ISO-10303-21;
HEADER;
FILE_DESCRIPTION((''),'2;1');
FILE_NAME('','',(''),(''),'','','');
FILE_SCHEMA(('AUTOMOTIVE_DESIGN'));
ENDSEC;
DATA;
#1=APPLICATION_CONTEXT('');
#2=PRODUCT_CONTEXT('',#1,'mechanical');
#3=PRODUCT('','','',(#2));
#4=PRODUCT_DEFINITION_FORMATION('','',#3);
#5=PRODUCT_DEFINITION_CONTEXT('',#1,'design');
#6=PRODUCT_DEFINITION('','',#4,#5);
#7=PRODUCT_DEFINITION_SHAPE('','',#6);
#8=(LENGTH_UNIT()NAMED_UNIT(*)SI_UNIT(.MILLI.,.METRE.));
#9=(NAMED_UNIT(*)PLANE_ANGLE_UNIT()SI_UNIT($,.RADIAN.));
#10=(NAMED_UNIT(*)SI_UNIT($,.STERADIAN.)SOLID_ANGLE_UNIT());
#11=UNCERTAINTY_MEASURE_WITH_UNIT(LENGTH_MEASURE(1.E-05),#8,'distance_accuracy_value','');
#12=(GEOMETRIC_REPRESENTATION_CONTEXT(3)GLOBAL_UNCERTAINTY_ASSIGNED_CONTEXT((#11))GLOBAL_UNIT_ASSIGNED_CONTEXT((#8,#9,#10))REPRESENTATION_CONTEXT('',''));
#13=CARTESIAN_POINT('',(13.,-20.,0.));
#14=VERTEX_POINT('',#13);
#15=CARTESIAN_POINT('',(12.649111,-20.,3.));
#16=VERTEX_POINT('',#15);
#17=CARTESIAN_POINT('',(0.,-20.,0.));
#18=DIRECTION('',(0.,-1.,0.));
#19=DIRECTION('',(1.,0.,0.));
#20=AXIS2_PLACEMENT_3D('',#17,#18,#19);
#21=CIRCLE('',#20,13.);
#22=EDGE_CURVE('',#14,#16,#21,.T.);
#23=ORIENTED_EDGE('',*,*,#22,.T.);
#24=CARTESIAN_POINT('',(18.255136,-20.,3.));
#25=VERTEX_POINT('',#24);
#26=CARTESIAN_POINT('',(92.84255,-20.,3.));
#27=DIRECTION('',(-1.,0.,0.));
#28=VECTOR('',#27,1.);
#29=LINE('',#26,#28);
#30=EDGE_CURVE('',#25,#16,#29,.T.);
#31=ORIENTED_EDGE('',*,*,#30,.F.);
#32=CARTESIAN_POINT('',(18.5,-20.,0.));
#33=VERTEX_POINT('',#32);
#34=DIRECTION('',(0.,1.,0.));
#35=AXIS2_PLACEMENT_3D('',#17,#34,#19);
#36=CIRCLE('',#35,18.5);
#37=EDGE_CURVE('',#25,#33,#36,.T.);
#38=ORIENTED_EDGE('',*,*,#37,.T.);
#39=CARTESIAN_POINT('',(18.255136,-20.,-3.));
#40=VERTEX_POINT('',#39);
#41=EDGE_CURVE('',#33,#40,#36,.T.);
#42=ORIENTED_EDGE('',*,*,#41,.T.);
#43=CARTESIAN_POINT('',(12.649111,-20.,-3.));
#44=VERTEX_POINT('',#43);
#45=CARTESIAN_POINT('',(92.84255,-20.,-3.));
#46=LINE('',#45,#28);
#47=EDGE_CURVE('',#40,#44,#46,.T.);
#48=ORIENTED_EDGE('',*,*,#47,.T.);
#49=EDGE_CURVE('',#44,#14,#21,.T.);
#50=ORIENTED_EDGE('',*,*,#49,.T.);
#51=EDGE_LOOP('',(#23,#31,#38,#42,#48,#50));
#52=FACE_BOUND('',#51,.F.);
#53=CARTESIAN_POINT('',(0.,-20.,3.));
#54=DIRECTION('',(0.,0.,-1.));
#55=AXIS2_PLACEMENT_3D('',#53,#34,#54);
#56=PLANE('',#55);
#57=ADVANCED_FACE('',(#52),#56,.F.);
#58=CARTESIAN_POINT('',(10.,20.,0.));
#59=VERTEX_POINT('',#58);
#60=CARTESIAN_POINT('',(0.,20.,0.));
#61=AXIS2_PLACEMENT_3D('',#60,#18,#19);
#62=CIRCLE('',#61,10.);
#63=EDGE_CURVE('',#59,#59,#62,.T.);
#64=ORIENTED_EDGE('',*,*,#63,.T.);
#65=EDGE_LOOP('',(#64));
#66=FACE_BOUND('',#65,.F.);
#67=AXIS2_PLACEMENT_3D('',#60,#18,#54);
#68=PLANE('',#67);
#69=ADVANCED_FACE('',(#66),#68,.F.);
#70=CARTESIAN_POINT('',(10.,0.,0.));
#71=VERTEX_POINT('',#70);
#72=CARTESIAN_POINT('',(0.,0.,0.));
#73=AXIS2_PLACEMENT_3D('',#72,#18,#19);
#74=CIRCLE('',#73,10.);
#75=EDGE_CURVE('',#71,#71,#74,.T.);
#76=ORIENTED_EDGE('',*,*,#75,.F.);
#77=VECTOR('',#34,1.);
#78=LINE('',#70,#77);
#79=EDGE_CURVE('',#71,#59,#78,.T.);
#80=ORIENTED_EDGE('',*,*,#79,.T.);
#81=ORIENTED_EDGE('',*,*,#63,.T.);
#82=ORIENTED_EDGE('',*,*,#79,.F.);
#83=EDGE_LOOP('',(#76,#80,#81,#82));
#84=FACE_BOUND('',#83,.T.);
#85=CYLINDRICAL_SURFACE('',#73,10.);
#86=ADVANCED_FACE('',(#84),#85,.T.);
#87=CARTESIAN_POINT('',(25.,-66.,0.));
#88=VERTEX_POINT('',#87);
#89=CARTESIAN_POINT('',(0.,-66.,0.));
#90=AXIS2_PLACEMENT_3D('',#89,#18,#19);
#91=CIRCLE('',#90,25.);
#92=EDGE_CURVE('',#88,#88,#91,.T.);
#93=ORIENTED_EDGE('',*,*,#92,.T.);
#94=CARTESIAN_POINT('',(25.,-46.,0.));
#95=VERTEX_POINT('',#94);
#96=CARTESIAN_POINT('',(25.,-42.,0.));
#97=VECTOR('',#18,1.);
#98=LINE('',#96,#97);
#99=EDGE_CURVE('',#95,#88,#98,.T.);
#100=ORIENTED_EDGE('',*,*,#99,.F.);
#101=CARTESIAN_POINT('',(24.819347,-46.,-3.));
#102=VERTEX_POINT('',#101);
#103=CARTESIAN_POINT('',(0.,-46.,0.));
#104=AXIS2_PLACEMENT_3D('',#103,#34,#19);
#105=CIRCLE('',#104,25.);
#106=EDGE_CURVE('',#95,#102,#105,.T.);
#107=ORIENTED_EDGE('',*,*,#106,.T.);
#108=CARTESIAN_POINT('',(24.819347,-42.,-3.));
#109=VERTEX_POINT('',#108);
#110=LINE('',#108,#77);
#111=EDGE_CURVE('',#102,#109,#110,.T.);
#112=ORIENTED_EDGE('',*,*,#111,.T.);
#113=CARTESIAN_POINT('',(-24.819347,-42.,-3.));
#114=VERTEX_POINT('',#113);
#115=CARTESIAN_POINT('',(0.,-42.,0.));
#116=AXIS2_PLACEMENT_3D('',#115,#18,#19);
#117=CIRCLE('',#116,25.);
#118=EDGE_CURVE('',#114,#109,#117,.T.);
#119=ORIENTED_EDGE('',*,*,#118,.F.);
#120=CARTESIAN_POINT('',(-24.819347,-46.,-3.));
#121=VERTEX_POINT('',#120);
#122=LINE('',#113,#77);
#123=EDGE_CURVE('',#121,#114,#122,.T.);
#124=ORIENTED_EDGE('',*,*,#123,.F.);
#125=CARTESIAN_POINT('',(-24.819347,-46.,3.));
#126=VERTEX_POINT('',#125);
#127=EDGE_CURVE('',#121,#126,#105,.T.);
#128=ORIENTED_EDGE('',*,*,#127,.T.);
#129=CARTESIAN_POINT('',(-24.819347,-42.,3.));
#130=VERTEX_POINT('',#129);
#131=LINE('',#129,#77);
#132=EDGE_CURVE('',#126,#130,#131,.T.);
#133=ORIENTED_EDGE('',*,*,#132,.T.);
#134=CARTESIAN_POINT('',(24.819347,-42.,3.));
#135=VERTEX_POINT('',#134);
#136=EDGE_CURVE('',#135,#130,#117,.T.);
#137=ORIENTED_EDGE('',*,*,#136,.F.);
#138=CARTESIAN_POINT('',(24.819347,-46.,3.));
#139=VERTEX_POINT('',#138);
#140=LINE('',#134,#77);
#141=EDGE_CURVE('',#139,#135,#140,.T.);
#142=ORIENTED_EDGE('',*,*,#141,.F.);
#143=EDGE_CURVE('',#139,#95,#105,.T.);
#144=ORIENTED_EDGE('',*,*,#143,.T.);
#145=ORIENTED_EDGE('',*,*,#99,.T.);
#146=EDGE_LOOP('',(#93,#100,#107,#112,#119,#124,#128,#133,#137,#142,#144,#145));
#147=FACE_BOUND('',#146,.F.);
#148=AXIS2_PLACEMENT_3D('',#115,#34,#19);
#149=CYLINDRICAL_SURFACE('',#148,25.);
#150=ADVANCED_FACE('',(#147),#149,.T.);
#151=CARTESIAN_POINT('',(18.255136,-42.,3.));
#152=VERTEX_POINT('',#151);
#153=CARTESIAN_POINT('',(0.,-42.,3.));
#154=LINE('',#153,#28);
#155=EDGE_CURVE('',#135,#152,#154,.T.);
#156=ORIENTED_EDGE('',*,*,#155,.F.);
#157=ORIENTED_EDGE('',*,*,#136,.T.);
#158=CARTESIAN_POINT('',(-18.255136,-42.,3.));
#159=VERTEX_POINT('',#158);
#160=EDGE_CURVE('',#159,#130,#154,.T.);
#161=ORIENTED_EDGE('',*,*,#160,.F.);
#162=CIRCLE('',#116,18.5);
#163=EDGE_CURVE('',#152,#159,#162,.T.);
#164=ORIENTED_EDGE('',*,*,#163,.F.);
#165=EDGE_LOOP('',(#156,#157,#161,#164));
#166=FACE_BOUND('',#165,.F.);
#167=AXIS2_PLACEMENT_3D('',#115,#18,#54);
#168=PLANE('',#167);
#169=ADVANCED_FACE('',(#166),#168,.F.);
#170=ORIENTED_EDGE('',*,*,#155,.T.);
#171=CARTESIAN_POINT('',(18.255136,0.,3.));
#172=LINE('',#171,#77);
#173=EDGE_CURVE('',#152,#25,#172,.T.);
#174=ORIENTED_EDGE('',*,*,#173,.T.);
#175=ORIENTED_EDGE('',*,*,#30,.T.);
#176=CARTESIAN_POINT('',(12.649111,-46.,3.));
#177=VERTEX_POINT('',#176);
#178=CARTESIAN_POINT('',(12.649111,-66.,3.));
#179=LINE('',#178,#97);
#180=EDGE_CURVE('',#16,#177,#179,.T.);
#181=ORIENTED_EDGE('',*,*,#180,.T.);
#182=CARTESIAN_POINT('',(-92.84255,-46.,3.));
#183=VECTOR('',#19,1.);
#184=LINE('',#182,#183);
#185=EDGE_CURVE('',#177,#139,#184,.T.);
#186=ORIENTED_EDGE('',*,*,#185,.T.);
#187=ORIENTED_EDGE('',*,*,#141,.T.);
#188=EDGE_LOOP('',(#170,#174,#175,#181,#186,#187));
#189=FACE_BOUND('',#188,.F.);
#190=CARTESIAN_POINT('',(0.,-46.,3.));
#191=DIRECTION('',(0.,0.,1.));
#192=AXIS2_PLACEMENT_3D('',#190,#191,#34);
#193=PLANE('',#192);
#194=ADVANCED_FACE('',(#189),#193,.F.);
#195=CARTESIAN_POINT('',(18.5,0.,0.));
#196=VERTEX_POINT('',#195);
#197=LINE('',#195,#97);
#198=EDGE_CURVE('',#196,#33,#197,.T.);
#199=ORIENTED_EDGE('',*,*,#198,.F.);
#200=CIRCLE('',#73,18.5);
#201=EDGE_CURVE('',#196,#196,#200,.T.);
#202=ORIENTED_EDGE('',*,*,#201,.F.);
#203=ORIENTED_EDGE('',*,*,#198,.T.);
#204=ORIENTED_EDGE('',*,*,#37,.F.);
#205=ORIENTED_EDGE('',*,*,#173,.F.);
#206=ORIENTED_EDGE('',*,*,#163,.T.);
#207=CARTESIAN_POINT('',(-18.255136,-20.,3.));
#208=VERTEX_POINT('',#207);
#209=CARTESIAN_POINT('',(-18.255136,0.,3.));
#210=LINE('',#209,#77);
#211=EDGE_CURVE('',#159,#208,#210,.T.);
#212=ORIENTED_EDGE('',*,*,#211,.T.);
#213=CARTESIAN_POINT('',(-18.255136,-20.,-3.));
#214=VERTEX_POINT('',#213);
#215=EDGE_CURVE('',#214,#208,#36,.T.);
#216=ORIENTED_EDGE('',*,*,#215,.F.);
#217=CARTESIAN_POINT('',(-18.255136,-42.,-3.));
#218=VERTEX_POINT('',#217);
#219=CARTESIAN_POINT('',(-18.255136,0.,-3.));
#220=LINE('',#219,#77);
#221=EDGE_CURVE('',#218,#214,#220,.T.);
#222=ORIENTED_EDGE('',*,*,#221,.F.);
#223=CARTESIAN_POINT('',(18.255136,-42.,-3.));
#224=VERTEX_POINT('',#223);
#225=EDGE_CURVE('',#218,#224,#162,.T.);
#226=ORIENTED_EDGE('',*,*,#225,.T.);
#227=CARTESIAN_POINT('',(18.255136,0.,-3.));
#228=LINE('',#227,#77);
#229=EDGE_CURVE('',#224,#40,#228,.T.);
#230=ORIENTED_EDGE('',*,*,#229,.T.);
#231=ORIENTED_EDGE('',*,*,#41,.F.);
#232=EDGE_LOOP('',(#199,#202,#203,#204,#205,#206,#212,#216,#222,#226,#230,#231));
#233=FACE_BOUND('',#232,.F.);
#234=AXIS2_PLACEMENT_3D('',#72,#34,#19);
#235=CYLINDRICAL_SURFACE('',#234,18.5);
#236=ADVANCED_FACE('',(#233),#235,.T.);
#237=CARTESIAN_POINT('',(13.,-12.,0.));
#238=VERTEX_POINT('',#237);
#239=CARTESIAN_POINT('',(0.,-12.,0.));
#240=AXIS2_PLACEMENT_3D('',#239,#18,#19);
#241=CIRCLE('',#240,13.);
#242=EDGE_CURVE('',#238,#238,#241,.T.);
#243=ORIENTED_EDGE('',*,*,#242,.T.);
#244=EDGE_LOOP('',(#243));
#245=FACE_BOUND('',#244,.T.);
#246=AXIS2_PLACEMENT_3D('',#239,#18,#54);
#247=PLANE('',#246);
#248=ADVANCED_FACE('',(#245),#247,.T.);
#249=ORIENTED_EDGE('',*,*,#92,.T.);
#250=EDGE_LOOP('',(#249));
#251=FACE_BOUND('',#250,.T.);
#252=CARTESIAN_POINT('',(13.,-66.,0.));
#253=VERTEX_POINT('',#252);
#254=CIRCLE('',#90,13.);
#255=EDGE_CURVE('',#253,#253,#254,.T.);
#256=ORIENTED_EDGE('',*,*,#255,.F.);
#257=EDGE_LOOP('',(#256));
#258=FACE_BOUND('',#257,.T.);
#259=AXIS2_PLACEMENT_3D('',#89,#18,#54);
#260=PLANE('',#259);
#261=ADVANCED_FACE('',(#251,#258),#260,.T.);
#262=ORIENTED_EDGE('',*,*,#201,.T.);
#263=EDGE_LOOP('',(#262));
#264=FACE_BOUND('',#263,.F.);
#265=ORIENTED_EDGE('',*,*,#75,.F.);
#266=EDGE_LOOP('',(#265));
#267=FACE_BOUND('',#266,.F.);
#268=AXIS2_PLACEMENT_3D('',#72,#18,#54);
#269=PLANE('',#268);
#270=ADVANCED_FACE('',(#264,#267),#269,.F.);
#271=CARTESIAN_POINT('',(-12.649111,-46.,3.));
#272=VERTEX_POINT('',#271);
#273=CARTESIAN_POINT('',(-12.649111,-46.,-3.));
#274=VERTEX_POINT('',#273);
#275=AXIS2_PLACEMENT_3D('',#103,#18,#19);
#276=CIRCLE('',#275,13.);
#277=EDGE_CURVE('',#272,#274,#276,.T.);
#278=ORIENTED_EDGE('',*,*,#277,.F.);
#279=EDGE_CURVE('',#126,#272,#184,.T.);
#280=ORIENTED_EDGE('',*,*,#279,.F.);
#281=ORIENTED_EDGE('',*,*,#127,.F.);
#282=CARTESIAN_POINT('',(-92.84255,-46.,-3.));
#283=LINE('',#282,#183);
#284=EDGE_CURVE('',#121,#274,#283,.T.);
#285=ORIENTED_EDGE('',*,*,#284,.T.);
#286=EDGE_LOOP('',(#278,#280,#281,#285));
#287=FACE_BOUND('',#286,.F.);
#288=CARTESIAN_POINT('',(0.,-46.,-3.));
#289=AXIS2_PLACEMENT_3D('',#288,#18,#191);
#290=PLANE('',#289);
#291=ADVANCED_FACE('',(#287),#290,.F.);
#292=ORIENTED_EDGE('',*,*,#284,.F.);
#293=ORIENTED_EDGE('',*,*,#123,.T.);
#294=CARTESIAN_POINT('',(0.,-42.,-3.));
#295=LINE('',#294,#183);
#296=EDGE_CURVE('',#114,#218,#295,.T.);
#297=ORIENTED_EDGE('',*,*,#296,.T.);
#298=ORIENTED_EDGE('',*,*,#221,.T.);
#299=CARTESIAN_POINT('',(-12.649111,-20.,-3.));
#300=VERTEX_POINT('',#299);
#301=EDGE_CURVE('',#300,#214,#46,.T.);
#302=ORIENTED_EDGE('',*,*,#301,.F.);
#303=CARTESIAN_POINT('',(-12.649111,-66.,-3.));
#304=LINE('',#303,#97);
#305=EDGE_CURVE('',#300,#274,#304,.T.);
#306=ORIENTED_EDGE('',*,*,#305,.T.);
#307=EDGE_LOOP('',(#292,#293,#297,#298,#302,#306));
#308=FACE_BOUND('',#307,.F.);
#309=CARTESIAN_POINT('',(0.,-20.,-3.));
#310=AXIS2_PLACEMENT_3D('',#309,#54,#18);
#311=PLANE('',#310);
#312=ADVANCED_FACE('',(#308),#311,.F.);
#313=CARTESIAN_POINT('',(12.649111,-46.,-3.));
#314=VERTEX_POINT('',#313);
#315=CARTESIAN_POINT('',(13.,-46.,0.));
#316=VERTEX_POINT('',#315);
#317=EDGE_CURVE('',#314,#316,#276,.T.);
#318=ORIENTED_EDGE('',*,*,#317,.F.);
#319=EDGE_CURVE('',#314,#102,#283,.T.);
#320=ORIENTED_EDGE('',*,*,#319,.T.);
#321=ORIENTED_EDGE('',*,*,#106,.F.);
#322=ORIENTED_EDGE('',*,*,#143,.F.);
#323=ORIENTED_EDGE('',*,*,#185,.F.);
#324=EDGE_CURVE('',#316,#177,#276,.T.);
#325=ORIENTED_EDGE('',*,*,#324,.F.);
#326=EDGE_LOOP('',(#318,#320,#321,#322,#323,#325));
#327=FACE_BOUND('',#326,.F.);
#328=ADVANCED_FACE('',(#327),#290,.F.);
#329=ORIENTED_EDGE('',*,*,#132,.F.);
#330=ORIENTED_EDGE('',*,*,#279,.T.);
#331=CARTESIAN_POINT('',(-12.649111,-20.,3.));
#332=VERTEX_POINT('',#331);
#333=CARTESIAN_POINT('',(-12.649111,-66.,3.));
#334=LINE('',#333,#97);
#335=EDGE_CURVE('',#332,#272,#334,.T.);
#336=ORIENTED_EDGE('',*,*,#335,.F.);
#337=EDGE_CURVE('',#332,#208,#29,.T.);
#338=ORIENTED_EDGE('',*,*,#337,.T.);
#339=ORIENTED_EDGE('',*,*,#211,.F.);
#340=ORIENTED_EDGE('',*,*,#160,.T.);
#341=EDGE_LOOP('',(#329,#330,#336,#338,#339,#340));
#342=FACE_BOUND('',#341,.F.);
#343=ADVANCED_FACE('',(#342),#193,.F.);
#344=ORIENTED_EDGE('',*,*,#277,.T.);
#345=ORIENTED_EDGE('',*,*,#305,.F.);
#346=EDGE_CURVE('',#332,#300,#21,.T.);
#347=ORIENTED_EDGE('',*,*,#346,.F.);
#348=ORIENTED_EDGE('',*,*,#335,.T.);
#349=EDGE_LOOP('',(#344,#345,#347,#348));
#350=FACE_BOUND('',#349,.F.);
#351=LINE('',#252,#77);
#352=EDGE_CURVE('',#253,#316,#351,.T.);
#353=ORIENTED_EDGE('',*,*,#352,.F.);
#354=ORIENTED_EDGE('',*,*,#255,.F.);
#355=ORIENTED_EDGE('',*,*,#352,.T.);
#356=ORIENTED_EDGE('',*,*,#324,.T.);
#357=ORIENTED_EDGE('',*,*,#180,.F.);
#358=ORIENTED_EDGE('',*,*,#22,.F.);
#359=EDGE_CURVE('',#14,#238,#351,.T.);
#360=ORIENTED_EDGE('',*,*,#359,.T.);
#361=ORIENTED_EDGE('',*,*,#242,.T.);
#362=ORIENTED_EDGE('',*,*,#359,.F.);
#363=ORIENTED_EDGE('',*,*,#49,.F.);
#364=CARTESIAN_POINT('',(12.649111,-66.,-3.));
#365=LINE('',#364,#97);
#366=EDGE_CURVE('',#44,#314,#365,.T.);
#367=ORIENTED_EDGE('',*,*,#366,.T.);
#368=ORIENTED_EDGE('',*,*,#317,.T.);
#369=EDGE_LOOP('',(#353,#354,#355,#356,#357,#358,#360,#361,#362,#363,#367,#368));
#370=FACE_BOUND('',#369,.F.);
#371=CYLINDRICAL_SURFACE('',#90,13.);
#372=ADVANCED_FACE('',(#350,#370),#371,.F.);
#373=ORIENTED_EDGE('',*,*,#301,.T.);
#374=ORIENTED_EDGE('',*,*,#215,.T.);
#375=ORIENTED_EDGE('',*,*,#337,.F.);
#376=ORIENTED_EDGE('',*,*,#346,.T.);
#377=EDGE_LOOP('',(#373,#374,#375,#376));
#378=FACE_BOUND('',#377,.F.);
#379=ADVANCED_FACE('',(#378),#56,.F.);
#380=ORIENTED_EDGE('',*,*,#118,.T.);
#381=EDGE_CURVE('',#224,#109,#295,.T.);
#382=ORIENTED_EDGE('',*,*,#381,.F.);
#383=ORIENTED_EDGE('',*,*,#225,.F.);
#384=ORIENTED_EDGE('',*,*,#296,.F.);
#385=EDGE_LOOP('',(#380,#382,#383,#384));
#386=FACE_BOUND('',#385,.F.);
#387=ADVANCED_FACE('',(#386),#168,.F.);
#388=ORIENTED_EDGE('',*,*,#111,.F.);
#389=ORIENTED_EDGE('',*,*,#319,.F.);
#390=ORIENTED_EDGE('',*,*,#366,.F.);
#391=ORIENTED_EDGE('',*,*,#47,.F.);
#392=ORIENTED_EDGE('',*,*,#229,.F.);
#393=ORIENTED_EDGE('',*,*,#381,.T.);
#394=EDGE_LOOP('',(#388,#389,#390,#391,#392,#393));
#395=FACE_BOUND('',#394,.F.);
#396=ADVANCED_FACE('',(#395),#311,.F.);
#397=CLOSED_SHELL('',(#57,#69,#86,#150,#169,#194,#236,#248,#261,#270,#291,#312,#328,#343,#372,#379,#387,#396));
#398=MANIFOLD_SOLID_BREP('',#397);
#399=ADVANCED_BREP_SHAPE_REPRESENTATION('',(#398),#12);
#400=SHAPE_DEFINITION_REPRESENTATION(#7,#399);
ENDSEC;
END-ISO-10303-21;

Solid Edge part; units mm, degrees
sketch "Sketch1" plane through (0, 0, 0) normal (0, -1, 0) x (1, 0, 0)
  circle A0 centre (0, 0) radius 10
extrude "Protrusion1" add sketch "Sketch1" against normal blind 20
sketch "Sketch2" plane through (0, 0, 0) normal (0, -1, 0) x (1, 0, 0)
  circle A0 centre (0, 0) radius 18.5
extrude "ExtrudedProtrusion_2" add sketch "Sketch2" along normal blind 42
sketch "Sketch3" plane through (0, -42, 0) normal (0, -1, 0) x (1, 0, 0)
  circle A0 centre (0, 0) radius 25
extrude "ExtrudedProtrusion_3" add sketch "Sketch3" along normal blind 24
sketch "Sketch4" plane through (0, -66, 0) normal (0, -1, 0) x (1, 0, 0)
  circle A0 centre (0, 0) radius 13
extrude "ExtrudedCutout_1" cut sketch "Sketch4" against normal blind 54
sketch "Sketch5" plane through (0, 0, 0) normal (1, 0, 0) x (0, 1, 0)
  line L0 (-46, 3) -> (-20, 3)
  line L1 (-20, 3) -> (-20, -3)
  line L2 (-20, -3) -> (-46, -3)
  line L3 (-46, -3) -> (-46, 3)
  dimension "D1" = 26
  dimension "D2" = 6
  dimension "D3" = 20
extrude "ExtrudedCutout_2" cut sketch "Sketch5" along normal mid plane 185.6851
properties part number "1"
